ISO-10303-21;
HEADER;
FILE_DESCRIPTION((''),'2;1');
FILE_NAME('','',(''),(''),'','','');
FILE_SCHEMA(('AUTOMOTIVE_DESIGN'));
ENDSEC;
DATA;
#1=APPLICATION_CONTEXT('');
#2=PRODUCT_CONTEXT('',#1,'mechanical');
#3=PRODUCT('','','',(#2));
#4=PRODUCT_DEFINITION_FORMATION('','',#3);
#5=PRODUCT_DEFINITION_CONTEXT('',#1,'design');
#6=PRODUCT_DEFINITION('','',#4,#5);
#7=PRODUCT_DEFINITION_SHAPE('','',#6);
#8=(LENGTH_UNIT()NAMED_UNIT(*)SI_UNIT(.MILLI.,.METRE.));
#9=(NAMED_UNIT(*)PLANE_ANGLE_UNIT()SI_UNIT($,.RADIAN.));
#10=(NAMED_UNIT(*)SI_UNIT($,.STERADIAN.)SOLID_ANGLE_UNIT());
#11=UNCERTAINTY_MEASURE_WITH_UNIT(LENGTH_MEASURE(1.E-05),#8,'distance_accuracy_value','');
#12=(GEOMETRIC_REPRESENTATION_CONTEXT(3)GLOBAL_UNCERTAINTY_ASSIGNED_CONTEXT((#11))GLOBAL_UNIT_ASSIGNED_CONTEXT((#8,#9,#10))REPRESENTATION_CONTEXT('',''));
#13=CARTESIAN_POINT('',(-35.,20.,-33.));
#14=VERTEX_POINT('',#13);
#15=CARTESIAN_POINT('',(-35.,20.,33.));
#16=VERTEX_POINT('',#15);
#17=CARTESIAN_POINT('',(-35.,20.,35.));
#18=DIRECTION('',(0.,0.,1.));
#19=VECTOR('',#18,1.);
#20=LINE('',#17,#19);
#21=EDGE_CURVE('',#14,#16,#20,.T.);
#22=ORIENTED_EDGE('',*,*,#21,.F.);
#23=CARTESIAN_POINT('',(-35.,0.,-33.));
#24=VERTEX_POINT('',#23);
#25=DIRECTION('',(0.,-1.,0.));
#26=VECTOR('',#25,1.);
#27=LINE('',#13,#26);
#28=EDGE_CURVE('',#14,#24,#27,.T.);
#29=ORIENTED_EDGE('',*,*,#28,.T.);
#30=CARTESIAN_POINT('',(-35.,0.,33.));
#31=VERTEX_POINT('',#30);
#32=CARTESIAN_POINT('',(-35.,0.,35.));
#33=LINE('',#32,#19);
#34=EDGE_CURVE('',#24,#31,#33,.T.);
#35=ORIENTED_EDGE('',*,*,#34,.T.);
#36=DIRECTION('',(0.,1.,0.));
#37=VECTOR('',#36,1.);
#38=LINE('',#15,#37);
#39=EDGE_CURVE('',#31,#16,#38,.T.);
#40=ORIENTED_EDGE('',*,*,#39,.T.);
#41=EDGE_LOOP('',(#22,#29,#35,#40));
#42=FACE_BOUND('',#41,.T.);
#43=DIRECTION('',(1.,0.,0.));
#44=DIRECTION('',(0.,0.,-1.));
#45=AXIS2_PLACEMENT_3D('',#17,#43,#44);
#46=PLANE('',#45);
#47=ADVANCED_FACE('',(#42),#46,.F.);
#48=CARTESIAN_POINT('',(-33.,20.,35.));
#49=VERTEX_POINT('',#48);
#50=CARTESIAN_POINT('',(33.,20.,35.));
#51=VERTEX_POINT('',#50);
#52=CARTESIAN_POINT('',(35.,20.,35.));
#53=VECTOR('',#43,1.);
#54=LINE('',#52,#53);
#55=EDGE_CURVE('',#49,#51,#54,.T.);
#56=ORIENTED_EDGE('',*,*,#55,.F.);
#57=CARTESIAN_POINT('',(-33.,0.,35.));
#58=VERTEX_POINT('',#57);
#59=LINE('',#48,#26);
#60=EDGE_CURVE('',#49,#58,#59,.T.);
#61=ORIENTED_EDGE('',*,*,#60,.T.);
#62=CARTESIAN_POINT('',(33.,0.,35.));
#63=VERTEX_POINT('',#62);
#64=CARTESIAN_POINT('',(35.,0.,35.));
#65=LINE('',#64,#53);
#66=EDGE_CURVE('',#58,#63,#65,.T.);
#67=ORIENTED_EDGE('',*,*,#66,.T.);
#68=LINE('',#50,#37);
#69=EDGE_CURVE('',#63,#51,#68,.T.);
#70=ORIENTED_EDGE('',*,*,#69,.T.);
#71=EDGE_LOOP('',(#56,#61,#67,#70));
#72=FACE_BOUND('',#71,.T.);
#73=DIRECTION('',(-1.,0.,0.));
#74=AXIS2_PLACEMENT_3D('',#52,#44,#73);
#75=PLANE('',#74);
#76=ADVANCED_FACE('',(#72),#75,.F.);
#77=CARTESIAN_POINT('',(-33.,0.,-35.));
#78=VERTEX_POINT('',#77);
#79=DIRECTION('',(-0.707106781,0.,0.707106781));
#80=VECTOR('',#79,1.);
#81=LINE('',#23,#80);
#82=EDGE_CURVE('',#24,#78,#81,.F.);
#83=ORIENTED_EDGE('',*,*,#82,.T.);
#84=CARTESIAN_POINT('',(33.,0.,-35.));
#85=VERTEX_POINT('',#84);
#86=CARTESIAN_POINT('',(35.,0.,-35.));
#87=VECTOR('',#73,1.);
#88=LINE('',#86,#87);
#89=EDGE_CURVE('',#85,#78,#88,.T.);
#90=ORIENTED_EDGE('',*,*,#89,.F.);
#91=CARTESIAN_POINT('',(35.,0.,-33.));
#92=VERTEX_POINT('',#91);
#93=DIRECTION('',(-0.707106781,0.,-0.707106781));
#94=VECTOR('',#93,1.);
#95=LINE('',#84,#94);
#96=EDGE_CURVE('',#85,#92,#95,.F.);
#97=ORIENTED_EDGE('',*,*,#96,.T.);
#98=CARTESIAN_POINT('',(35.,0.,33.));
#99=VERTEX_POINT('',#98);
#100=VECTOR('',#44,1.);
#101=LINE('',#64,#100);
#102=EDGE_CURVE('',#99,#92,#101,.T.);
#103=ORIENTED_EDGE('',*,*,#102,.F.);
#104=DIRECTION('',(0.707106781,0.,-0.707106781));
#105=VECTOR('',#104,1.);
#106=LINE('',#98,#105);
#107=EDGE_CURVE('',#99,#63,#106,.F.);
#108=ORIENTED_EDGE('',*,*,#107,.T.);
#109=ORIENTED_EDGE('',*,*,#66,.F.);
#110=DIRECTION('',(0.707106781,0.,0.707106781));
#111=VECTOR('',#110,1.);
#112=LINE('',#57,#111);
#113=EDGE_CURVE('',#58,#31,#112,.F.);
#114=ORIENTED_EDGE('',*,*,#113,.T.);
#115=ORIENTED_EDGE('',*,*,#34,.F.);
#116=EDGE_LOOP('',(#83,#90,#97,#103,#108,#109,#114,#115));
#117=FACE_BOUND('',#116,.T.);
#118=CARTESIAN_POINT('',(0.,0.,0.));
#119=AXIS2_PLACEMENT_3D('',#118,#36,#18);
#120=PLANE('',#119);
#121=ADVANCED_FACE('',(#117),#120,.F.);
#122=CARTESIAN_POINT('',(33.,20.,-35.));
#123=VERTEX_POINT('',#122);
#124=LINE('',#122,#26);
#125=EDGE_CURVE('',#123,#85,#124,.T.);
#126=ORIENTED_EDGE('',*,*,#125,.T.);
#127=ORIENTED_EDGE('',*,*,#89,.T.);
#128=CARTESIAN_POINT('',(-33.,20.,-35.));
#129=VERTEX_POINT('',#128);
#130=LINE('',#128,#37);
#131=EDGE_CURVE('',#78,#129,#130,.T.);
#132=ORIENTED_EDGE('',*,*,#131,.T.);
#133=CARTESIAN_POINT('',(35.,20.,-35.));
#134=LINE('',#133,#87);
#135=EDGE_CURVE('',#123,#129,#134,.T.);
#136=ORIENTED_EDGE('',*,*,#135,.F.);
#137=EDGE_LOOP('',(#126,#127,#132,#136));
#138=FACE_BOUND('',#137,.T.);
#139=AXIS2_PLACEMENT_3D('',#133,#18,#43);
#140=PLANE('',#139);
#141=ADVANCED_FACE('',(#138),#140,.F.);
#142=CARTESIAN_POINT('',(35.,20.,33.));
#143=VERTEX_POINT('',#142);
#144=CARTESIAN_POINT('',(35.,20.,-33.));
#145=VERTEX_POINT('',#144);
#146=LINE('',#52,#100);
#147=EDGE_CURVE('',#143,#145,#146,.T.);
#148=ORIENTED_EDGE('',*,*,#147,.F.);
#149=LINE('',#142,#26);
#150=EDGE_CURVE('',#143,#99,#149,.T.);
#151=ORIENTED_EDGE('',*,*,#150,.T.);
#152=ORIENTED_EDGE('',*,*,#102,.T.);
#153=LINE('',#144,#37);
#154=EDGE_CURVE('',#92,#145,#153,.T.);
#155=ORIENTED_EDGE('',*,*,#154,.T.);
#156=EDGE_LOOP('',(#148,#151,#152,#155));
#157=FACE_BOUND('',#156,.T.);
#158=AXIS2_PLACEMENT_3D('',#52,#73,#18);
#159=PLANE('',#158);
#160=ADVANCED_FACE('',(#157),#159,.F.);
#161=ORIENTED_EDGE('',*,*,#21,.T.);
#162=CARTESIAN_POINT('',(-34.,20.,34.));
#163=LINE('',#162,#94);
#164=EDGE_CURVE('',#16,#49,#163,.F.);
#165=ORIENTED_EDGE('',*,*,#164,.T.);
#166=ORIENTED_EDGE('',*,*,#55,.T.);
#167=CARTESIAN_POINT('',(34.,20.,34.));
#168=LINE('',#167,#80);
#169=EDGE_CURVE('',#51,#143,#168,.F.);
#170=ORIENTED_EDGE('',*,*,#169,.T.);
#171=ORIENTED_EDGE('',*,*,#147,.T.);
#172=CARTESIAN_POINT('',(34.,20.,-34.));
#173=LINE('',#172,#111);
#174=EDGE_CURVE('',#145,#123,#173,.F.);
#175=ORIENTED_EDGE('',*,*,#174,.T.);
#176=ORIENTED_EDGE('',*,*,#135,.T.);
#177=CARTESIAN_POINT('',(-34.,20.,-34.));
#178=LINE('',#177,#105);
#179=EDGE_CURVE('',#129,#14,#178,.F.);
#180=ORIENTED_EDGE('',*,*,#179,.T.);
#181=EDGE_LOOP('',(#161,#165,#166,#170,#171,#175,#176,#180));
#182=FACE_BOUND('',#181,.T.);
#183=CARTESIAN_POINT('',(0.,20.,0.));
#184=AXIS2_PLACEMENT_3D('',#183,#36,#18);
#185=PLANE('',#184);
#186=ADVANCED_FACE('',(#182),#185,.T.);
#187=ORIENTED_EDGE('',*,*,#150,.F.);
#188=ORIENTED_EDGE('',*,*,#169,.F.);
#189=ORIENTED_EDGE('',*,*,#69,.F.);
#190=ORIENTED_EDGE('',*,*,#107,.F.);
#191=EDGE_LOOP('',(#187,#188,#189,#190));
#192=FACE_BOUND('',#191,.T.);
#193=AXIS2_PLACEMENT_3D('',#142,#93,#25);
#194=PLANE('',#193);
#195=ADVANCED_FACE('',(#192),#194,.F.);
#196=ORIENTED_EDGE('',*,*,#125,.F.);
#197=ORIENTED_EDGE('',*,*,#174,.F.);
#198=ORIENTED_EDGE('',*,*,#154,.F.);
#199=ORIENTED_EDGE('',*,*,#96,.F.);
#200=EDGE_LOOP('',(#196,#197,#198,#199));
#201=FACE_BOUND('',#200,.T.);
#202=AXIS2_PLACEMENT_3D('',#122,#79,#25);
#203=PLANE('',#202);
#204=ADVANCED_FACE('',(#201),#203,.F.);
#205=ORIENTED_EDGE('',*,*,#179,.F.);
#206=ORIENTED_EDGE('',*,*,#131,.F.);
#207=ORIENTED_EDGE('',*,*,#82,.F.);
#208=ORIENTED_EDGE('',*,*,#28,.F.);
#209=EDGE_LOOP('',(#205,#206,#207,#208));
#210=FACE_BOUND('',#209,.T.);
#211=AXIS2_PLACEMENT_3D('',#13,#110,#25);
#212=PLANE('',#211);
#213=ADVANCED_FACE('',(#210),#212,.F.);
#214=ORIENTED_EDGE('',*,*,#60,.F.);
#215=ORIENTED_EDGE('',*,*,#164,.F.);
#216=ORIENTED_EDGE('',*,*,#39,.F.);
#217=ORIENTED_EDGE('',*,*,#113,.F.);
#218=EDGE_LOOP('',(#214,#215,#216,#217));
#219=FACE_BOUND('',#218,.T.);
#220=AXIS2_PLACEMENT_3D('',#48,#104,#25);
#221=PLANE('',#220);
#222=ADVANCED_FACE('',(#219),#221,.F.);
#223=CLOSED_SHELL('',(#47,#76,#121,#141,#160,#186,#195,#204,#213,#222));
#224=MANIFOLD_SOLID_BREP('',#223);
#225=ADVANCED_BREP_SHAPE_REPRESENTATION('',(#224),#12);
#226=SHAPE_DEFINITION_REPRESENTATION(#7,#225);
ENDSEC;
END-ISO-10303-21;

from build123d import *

# Parameters (mm, degrees)
SKETCH_1_W      = 70
SKETCH_1_H      = 70
EXTRUDE_1_DEPTH = 20
CHAMFER_1_SIZE  = 2


with BuildPart() as part:
    # 草图1 → 凸台-拉伸1 (new body)
    with BuildSketch(Plane(origin=(0, 0, 0), x_dir=(1, 0, 0), z_dir=(0, 1, 0))):
        Rectangle(SKETCH_1_W, SKETCH_1_H)
    extrude(amount=EXTRUDE_1_DEPTH)

    # 倒角1
    chamfer_1_edges = [part.edges().sort_by_distance(p)[0] for p in [
        (-35, 10, -35),
        (35, 10, -35),
        (35, 10, 35),
        (-35, 10, 35),
    ]]
    chamfer(chamfer_1_edges, length=CHAMFER_1_SIZE)


solid = part.part
